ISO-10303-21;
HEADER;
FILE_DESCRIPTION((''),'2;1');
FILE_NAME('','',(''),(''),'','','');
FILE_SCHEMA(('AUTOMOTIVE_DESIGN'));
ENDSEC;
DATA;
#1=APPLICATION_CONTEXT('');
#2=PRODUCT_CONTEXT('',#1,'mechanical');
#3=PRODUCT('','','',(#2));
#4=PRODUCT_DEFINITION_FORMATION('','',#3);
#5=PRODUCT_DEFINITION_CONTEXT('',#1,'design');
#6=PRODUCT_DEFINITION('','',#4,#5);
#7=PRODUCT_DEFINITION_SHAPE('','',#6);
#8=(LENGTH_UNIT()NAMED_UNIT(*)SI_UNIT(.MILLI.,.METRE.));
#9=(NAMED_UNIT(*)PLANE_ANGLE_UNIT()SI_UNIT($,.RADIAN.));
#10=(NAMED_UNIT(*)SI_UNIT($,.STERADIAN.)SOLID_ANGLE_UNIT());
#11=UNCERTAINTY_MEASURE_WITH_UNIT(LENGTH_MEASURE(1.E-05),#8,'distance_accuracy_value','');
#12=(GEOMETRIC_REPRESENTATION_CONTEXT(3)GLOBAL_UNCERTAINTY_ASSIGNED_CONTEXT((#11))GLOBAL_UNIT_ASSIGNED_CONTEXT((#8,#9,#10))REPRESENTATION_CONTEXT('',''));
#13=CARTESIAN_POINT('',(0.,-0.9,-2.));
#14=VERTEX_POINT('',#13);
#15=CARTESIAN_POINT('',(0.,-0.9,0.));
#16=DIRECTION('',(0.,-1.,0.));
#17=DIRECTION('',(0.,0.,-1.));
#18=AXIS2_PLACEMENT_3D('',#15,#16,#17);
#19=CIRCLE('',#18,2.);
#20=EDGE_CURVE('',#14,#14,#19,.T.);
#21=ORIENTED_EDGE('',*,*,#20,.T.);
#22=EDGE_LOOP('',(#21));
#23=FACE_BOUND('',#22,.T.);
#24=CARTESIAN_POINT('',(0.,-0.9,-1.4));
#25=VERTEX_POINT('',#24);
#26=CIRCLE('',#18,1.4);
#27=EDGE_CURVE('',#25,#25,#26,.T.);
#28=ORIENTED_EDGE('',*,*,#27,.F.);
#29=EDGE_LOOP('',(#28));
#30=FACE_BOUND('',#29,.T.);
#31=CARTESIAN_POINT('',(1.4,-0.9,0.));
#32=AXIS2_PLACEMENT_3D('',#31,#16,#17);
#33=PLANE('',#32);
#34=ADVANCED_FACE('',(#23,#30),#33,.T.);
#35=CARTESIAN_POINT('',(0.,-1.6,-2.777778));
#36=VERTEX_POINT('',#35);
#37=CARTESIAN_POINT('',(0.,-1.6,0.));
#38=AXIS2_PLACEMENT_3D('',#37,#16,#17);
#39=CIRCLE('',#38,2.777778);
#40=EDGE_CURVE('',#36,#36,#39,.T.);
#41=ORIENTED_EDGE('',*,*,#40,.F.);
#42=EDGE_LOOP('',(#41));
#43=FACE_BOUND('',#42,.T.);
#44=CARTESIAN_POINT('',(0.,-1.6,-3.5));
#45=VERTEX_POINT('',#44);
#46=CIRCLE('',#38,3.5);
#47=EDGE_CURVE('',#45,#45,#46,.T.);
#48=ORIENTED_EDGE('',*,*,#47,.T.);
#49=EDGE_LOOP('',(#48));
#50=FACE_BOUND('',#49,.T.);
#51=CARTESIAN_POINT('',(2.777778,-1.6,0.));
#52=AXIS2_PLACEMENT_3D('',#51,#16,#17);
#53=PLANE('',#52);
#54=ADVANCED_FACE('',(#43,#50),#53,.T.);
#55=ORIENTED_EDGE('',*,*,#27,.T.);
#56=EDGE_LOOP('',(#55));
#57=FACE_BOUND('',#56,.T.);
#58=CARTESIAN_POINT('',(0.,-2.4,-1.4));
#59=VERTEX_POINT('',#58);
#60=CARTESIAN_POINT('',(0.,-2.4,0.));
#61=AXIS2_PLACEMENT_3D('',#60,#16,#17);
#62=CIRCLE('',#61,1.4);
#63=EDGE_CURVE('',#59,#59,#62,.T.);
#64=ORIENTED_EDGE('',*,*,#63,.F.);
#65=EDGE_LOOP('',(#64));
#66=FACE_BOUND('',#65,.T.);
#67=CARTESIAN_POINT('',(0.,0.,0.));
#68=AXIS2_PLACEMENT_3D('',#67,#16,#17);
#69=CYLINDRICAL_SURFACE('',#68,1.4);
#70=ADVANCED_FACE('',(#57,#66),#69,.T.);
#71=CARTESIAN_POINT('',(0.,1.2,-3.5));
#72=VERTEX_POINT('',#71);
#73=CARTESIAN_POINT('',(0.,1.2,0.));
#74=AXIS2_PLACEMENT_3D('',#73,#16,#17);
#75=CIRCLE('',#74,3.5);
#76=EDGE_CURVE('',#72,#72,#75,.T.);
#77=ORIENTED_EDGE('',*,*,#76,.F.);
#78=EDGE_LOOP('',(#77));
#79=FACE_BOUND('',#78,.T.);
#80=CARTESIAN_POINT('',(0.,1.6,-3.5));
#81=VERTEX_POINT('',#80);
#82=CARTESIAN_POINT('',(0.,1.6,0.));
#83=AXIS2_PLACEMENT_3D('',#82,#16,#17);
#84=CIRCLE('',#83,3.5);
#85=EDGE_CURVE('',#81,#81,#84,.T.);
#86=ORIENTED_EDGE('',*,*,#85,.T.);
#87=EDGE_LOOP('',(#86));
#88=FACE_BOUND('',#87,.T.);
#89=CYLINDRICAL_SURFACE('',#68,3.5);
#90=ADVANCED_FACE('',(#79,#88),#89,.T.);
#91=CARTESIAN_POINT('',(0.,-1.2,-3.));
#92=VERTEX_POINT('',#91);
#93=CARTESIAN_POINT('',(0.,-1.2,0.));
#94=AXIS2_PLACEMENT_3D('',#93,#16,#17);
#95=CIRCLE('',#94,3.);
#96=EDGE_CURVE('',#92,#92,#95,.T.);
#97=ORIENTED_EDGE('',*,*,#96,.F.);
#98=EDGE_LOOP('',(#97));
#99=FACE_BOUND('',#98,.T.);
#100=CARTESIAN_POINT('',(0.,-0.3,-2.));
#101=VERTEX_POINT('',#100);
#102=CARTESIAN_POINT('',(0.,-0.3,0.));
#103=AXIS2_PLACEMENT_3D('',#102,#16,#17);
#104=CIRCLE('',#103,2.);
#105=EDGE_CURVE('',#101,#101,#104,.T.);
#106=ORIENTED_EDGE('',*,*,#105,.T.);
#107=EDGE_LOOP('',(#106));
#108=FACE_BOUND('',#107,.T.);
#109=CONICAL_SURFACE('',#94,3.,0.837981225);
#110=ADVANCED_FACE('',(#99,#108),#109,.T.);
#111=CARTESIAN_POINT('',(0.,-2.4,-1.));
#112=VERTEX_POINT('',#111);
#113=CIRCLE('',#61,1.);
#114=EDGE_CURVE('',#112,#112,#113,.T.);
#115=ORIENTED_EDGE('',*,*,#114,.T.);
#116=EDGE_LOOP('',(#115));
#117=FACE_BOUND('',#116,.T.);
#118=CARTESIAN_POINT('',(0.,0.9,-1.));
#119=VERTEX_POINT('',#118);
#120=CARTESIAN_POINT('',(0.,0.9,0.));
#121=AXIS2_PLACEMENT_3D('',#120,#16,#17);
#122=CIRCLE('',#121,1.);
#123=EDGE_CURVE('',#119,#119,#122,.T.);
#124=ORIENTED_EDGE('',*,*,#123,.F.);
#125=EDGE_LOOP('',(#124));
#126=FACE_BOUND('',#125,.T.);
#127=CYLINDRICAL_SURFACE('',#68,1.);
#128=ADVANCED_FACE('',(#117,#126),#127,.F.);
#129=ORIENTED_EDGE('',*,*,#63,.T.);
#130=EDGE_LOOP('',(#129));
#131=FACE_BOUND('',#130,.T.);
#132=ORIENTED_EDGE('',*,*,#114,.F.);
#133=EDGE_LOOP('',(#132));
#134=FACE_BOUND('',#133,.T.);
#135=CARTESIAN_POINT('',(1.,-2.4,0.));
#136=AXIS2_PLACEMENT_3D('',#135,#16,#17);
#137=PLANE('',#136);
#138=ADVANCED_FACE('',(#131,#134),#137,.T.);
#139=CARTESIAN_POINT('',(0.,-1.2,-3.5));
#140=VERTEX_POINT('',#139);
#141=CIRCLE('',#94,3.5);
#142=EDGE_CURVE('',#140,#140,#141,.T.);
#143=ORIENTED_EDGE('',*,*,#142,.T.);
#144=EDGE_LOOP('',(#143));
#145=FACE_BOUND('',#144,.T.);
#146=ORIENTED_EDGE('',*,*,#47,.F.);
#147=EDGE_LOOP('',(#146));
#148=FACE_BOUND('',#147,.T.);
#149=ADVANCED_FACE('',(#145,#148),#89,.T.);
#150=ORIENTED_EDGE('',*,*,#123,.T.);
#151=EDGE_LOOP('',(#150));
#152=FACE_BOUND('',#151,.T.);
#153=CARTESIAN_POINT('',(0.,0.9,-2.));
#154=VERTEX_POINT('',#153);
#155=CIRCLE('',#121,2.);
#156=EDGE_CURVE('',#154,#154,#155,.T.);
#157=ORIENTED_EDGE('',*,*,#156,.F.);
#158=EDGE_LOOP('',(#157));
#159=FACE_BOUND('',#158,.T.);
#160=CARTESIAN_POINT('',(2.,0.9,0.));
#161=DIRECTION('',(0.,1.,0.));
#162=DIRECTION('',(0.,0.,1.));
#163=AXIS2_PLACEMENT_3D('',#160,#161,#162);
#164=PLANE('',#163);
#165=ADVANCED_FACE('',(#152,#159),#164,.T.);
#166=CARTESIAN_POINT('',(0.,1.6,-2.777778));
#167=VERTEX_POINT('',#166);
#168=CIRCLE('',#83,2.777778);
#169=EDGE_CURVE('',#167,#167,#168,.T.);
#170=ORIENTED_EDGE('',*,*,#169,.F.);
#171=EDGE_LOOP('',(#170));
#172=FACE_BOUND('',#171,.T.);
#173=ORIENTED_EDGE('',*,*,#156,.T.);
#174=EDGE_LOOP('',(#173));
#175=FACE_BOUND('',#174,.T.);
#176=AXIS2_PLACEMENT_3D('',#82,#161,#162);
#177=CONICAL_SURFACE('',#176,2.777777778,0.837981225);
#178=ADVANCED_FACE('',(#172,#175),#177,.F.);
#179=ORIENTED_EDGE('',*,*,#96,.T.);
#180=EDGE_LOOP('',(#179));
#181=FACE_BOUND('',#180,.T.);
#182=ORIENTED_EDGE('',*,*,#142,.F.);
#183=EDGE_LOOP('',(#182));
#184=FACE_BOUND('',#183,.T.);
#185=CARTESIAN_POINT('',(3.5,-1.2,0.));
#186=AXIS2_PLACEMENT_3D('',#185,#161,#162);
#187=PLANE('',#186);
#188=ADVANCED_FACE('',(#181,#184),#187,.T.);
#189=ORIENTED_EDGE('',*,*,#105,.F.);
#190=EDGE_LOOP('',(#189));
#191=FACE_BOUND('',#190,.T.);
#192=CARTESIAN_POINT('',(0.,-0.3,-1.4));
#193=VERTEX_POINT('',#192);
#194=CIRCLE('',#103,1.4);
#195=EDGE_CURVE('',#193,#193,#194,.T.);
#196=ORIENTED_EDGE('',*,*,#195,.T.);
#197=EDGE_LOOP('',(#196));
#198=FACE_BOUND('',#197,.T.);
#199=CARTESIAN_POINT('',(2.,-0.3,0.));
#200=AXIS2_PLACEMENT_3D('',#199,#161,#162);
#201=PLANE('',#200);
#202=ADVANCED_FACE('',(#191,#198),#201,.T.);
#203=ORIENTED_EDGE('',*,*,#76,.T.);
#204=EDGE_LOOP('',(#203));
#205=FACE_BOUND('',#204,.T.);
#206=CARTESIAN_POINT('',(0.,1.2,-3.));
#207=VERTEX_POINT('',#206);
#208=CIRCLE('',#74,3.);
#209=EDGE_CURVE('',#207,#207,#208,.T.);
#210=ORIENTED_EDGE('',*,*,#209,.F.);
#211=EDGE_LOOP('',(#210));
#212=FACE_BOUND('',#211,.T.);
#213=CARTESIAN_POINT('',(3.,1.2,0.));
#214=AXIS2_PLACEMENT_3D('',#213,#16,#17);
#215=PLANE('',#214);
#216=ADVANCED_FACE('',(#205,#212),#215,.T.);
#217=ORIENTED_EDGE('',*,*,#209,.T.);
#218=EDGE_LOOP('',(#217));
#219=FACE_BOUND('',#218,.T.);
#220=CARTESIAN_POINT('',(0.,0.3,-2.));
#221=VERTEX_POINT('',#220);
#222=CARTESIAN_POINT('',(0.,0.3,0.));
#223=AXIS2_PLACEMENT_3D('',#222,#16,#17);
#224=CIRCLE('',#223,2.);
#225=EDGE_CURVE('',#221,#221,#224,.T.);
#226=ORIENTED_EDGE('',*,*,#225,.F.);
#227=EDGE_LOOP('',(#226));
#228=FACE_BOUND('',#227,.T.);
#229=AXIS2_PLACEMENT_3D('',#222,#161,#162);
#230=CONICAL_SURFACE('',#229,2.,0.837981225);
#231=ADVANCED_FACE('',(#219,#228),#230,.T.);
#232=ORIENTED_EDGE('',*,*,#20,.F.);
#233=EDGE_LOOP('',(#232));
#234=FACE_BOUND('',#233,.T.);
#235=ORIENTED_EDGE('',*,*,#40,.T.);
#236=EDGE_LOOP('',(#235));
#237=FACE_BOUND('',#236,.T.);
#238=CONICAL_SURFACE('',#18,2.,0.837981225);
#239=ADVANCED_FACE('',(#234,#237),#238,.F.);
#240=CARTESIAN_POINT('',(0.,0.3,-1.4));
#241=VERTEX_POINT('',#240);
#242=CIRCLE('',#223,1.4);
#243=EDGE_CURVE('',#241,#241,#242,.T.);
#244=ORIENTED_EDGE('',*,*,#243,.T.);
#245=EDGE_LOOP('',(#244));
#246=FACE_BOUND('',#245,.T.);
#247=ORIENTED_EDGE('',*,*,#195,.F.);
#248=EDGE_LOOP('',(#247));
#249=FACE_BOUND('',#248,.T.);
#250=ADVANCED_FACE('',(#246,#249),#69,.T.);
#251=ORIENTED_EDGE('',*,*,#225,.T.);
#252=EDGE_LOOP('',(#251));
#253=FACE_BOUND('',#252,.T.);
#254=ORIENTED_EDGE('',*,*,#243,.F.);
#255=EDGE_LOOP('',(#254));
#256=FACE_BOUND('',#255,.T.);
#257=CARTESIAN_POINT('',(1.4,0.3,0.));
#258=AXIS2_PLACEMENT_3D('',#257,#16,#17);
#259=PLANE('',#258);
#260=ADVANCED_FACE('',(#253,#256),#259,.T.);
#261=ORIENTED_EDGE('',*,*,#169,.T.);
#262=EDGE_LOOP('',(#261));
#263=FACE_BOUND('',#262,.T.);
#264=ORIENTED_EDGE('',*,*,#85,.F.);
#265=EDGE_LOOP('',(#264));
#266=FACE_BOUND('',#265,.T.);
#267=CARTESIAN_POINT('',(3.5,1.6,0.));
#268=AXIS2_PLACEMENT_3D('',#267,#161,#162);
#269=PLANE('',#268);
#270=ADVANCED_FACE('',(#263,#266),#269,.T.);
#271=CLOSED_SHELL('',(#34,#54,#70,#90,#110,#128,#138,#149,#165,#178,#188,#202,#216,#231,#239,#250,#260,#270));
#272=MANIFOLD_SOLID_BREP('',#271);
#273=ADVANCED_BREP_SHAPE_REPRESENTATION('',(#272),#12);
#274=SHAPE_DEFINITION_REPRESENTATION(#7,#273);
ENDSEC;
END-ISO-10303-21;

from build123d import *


with BuildPart() as part:
    # Esquisse1 → Révolution1 (revolve)
    with BuildSketch(Plane.XY, mode=Mode.PRIVATE) as r_volution1_sk:
        Polygon((2.777777778, -1.6), (3.5, -1.6), (3.5, -1.2), (3, -1.2), (2, -0.3), (1.4, -0.3), (1.4, 0.3), (2, 0.3), (3, 1.2), (3.5, 1.2), (3.5, 1.6), (2.777777778, 1.6), (2, 0.9), (1, 0.9), (1, -2.4), (1.4, -2.4), (1.4, -0.9), (2, -0.9), align=None)
    revolve(r_volution1_sk.sketch.rotate(Axis((0, 0, 0), (0, 1, 0)), 90), axis=Axis((0, 0, 0), (0, 1, 0)))


solid = part.part
